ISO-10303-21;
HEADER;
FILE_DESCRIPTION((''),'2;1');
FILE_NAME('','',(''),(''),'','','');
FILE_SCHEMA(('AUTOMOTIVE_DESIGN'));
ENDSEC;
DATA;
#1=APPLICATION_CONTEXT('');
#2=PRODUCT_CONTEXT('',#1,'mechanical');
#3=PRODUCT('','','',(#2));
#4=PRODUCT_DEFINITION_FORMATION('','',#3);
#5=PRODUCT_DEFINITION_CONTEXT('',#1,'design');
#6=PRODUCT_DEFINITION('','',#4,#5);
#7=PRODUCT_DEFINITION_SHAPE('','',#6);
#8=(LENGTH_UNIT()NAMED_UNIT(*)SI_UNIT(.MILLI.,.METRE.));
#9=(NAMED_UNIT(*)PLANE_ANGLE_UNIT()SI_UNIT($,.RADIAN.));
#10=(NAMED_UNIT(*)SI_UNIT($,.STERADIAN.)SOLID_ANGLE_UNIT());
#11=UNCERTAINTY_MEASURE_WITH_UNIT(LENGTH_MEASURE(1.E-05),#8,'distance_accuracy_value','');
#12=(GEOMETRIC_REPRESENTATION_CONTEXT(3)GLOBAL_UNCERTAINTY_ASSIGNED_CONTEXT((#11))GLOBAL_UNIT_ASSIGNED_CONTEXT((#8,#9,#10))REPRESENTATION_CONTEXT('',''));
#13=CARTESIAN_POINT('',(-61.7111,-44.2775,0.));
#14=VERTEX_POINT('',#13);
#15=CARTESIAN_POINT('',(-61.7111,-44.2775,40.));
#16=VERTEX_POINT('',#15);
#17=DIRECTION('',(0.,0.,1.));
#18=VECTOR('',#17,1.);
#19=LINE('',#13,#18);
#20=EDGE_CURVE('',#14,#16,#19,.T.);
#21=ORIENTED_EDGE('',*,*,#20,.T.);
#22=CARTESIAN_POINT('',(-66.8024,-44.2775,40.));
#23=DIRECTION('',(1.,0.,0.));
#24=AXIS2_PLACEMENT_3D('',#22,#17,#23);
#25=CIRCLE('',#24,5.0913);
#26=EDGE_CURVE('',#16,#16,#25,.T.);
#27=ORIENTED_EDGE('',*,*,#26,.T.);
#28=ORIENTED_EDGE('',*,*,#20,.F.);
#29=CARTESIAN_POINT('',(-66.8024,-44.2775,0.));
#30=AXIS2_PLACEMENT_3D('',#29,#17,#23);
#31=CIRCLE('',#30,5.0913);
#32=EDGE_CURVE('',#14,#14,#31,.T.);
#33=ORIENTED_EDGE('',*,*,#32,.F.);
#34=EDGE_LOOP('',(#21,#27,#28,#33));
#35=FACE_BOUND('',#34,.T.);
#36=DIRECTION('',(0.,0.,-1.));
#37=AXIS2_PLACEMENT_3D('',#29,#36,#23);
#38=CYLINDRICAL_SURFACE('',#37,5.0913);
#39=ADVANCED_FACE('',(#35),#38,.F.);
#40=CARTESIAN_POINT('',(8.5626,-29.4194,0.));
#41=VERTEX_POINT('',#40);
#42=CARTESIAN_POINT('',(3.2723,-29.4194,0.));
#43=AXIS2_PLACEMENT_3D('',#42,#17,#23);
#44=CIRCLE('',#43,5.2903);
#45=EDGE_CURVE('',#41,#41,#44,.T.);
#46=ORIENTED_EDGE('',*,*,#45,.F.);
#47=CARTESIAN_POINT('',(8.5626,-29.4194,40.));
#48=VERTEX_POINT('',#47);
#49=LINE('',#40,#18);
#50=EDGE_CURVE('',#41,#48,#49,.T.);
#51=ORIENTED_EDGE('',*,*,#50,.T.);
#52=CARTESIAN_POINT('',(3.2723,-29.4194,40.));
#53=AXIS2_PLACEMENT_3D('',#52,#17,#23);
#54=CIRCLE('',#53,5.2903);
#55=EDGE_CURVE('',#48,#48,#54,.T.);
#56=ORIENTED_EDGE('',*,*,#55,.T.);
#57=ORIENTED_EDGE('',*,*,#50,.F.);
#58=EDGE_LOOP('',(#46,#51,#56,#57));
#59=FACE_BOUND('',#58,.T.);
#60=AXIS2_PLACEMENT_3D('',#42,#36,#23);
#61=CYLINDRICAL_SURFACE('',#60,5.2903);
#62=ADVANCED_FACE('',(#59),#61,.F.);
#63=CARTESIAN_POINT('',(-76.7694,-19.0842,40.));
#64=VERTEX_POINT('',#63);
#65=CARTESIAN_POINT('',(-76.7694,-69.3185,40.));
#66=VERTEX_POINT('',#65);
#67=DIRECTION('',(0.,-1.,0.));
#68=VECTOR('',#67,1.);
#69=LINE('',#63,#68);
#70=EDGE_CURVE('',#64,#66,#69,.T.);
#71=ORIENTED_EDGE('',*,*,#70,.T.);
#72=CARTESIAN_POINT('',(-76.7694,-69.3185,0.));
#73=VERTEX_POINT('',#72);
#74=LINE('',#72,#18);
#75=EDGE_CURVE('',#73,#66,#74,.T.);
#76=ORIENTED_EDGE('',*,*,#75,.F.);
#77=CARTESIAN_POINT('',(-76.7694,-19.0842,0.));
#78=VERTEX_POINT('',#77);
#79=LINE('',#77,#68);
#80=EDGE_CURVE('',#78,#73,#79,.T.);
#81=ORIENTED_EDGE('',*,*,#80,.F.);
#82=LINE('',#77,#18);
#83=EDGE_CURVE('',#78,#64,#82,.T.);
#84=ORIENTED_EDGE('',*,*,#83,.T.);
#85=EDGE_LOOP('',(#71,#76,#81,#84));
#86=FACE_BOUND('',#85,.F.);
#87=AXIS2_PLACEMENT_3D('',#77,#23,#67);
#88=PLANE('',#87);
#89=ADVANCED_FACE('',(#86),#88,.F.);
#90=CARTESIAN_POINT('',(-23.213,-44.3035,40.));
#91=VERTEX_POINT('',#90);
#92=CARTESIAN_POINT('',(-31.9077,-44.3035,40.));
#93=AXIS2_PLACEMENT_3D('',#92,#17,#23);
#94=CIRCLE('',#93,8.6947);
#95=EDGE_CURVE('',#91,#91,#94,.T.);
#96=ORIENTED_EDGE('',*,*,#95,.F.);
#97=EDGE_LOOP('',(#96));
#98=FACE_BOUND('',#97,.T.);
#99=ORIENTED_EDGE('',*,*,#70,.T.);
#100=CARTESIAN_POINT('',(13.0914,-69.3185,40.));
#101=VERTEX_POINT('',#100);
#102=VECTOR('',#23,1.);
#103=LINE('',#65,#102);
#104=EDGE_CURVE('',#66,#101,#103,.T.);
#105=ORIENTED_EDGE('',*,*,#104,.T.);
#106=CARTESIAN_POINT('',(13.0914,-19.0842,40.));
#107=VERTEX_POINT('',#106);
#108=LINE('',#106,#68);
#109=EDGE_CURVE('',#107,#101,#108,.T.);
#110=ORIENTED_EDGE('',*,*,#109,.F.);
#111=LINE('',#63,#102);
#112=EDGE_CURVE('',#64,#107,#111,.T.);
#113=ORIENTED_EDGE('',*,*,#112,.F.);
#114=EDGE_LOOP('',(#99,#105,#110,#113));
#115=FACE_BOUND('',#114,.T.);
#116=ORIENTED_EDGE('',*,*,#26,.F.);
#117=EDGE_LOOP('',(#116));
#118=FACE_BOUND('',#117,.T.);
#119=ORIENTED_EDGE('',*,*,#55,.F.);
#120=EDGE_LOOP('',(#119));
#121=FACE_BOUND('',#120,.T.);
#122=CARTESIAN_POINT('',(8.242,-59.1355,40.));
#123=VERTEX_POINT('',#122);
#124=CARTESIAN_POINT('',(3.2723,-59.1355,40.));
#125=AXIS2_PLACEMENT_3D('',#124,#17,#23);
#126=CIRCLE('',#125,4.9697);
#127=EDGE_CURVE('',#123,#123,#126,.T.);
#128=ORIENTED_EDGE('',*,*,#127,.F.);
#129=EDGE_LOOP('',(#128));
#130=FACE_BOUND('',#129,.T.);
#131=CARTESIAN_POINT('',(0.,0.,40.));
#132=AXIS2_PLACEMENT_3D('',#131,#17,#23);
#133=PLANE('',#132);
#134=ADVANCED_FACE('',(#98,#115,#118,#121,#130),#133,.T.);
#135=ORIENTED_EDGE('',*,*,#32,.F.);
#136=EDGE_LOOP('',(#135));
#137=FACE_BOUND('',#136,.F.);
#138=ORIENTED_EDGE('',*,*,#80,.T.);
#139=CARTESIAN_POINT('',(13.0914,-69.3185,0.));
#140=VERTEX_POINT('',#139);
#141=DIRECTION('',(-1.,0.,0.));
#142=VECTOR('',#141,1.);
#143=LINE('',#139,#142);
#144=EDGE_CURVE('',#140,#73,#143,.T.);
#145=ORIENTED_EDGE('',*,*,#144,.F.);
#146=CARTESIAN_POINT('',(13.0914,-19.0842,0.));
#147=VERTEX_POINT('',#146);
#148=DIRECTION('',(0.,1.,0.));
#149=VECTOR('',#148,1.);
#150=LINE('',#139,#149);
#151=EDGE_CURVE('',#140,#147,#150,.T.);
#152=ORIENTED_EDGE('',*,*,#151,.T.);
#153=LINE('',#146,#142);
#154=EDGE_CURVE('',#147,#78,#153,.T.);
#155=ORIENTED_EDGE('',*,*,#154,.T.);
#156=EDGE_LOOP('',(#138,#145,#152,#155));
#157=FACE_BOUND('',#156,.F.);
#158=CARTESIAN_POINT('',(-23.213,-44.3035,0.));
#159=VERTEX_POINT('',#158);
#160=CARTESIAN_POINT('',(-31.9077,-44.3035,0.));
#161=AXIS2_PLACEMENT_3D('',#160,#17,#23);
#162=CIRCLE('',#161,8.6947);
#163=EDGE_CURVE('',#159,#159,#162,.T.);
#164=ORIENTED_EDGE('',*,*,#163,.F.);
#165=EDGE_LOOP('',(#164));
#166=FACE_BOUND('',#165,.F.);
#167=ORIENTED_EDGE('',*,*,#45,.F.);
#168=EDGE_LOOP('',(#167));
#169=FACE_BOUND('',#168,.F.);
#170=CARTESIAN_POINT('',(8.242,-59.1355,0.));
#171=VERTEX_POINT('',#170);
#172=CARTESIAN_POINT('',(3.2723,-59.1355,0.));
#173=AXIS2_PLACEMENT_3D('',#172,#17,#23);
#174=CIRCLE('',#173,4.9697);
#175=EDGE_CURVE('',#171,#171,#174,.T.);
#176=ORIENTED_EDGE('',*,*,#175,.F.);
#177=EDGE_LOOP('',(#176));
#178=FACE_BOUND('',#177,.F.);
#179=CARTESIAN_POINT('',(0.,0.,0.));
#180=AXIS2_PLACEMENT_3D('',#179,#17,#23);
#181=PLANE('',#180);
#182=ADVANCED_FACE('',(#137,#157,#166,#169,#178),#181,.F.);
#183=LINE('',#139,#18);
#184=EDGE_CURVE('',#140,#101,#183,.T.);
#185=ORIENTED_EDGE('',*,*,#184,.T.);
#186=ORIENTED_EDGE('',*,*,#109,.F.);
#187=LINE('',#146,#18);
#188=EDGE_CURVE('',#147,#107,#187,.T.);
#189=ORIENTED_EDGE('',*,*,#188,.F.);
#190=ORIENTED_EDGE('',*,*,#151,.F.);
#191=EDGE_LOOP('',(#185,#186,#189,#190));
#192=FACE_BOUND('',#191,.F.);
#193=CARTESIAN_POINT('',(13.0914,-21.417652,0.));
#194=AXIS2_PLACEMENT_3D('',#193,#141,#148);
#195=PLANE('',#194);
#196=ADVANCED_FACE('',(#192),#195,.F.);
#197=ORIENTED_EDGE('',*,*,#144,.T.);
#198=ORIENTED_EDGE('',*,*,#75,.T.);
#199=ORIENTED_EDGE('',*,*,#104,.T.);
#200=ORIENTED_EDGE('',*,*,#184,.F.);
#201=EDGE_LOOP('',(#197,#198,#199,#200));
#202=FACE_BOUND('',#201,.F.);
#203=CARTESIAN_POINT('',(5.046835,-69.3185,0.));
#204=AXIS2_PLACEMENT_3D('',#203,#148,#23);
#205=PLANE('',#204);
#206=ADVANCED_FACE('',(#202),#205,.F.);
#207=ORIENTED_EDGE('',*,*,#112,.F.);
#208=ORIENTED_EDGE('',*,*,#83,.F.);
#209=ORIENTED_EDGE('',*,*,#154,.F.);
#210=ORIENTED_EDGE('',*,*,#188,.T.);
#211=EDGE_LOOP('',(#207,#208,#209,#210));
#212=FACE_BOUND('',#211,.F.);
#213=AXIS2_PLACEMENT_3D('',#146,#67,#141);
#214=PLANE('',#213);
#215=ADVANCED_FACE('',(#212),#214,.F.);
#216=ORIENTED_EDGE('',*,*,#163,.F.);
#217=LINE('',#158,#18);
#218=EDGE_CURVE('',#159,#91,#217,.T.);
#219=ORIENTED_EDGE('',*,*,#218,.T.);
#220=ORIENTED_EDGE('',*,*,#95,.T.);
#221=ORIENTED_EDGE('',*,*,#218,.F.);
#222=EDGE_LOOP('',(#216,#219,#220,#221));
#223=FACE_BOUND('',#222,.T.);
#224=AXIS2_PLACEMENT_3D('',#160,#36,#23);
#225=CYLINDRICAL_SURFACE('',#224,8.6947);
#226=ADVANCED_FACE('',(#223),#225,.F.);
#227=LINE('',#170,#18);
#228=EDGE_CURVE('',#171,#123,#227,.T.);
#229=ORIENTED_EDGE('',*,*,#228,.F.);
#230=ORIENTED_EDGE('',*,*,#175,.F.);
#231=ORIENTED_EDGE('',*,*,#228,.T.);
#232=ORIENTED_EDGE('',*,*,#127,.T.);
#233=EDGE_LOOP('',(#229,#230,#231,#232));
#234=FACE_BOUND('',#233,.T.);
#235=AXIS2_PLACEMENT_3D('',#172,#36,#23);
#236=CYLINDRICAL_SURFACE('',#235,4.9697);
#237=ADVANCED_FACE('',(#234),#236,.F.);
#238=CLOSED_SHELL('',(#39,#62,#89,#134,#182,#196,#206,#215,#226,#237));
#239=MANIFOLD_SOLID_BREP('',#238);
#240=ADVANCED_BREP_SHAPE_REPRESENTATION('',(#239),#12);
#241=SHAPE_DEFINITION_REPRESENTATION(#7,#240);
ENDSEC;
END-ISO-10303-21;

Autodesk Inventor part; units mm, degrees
ref_plane "YZ Plane" through (0, 0, 0) normal (1, 0, 0) x (0, 1, 0)
ref_plane "XZ Plane" through (0, 0, 0) normal (0, 1, 0) x (-1, 0, 0)
ref_plane "XY Plane" through (0, 0, 0) normal (0, 0, 1) x (1, 0, 0)
sketch "Эскиз1" plane through (0, 0, 0) normal (0, 0, 1) x (1, 0, 0)
  line L0 (-109.4005, 113.4321) -> (101.5019, 113.4321) construction
  line L1 (101.5019, 113.4321) -> (101.5019, -116.5229) construction
  line L2 (101.5019, -116.5229) -> (-109.4005, -116.5229) construction
  line L3 (-109.4005, -116.5229) -> (-109.4005, 113.4321) construction
  point P0 (0, 0)
sketch "Эскиз3" plane through (0, 0, 0) normal (0, 0, 1) x (1, 0, 0)
  line L0 (13.0914, -19.0842) -> (-76.7694, -19.0842)
  line L1 (-76.7694, -19.0842) -> (-76.7694, -69.3185)
  line L2 (-76.7694, -69.3185) -> (13.0914, -69.3185)
  line L3 (13.0914, -69.3185) -> (13.0914, -19.0842)
  circle A0 centre (-31.9077, -44.3035) radius 8.6947
  circle A1 centre (-31.9077, -44.3035) radius 14.858
  circle A2 centre (-66.8024, -44.2775) radius 5.0913
  circle A3 centre (3.2723, -59.1355) radius 4.9697
  circle A4 centre (3.2723, -29.4194) radius 5.2903
  line L4 (-61.7111, -29.3433) -> (-64.4086, -29.3433) construction
  line L5 (-64.4086, -29.3433) -> (-66.8024, -30.0442) construction
  line L6 (-66.8024, -30.0442) -> (-70.0469, -31.5698) construction
  line L7 (-70.0469, -31.5698) -> (-73.0319, -33.7588) construction
  line L8 (-73.0319, -33.7588) -> (-75.0219, -36.9428) construction
  line L9 (-75.0219, -36.9428) -> (-76.7694, -40.6575) construction
  line L10 (-76.7694, -40.6575) -> (-76.7694, -44.2013) construction
  line L11 (-76.7694, -44.2013) -> (-76.7694, -47.6888) construction
  line L12 (-76.7694, -47.6888) -> (-75.1545, -51.4698) construction
  line L13 (-75.1545, -51.4698) -> (-72.7665, -54.9191) construction
  line L14 (-72.7665, -54.9191) -> (-69.2509, -57.5061) construction
  line L15 (-69.2509, -57.5061) -> (-66.4649, -58.7001) construction
  line L16 (-66.4649, -58.7001) -> (-63.4136, -59.0593) construction
  line L17 (-63.4136, -59.0593) -> (-61.7111, -59.5624) construction
  spline S0 degree 4 poles (-61.7111, -29.3433) (-64.4086, -29.3433) (-66.8024, -30.0442) (-70.0469, -31.5698) (-73.0319, -33.7588) (-75.0219, -36.9428) (-76.7694, -40.6575) (-76.7694, -44.2013) (-76.7694, -47.6888) (-75.1545, -51.4698) (-72.7665, -54.9191) (-69.2509, -57.5061) (-66.4649, -58.7001) (-63.4136, -59.0593) (-61.7111, -59.5624) knots 1 1 1 1 1 2 3 4 5 6 7 8 9 10 11 12 12 12 12 12
  line L18 (-61.7111, -59.5624) -> (-61.7111, -74.6864)
  line L19 (-61.7111, -29.3433) -> (-61.7111, -13.2619)
  line L20 (-61.7111, -13.2619) -> (-82.7829, -13.2619)
  line L21 (-82.7829, -13.2619) -> (-82.7829, -74.6864)
  line L22 (-82.7829, -74.6864) -> (-61.7111, -74.6864)
  line L23 (0.9069, -17.4974) -> (3.1443, -19.2421) construction
  line L24 (3.1443, -19.2421) -> (3.2723, -19.427) construction
  line L25 (3.2723, -19.427) -> (4.9671, -19.427) construction
  line L26 (4.9671, -19.427) -> (6.9505, -20.1638) construction
  line L27 (6.9505, -20.1638) -> (8.5626, -20.9222) construction
  line L28 (8.5626, -20.9222) -> (10.1498, -22.3051) construction
  line L29 (10.1498, -22.3051) -> (11.3609, -23.7137) construction
  line L30 (11.3609, -23.7137) -> (12.2956, -25.2934) construction
  line L31 (12.2956, -25.2934) -> (13.0914, -26.9858) construction
  line L32 (13.0914, -26.9858) -> (16.1389, -44.0503) construction
  line L33 (16.1389, -44.0503) -> (13.0914, -59.6386) construction
  line L34 (13.0914, -59.6386) -> (13.0914, -61.2275) construction
  line L35 (13.0914, -61.2275) -> (12.4731, -63.3199) construction
  line L36 (12.4731, -63.3199) -> (11.3461, -64.8514) construction
  line L37 (11.3461, -64.8514) -> (10.2973, -66.2768) construction
  line L38 (10.2973, -66.2768) -> (8.7533, -67.6316) construction
  line L39 (8.7533, -67.6316) -> (7.3634, -68.5939) construction
  line L40 (7.3634, -68.5939) -> (4.8885, -69.3185) construction
  line L41 (4.8885, -69.3185) -> (3.2723, -70.0088) construction
  line L42 (3.2723, -70.0088) -> (2.887, -71.3126) construction
  line L43 (2.887, -71.3126) -> (31.3831, -71.3126) construction
  line L44 (31.3831, -71.3126) -> (20.1564, -15.836) construction
  line L45 (20.1564, -15.836) -> (1.0706, -16.7541) construction
  spline S1 degree 4 poles (0.9069, -17.4974) (3.1443, -19.2421) (3.2723, -19.427) (4.9671, -19.427) (6.9505, -20.1638) (8.5626, -20.9222) (10.1498, -22.3051) (11.3609, -23.7137) (12.2956, -25.2934) (13.0914, -26.9858) (16.1389, -44.0503) (13.0914, -59.6386) (13.0914, -61.2275) (12.4731, -63.3199) (11.3461, -64.8514) (10.2973, -66.2768) (8.7533, -67.6316) (7.3634, -68.5939) (4.8885, -69.3185) (3.2723, -70.0088) (2.887, -71.3126) (31.3831, -71.3126) (20.1564, -15.836) (1.0706, -16.7541) knots 1 1 1 1 1 2 3 4 5 6 7 8 9 10 11 12 13 14 15 16 17 18 19 20 21 21 21 21 21
  line L46 (-45.8661, -39.2122) -> (-57.0456, -39.2122)
  line L47 (-57.0456, -39.2122) -> (-57.0456, -49.5793)
  line L48 (-57.0456, -49.5793) -> (-45.7975, -49.5793)
  line L49 (-17.9102, -39.3206) -> (-6.8439, -39.3206)
  line L50 (-6.8439, -39.3206) -> (-6.8439, -49.3593)
  line L51 (-6.8439, -49.3593) -> (-17.9363, -49.3593)
  point P0 (0, 0)
extrude "Выдавливание1" add sketch "Эскиз3" along normal blind 40 contours L3 S1 L0 | S1 L3 L0 | S1 L3 L2 L18 S0 L19 L0 | S1 L3 L2 | L19 S0 L18 L2 L1 L0 | A1 | A1 L49 L50 L51 | A1 L48 L47 L46 picked at (11.6912, -66.5985)
properties part number "Основание"
